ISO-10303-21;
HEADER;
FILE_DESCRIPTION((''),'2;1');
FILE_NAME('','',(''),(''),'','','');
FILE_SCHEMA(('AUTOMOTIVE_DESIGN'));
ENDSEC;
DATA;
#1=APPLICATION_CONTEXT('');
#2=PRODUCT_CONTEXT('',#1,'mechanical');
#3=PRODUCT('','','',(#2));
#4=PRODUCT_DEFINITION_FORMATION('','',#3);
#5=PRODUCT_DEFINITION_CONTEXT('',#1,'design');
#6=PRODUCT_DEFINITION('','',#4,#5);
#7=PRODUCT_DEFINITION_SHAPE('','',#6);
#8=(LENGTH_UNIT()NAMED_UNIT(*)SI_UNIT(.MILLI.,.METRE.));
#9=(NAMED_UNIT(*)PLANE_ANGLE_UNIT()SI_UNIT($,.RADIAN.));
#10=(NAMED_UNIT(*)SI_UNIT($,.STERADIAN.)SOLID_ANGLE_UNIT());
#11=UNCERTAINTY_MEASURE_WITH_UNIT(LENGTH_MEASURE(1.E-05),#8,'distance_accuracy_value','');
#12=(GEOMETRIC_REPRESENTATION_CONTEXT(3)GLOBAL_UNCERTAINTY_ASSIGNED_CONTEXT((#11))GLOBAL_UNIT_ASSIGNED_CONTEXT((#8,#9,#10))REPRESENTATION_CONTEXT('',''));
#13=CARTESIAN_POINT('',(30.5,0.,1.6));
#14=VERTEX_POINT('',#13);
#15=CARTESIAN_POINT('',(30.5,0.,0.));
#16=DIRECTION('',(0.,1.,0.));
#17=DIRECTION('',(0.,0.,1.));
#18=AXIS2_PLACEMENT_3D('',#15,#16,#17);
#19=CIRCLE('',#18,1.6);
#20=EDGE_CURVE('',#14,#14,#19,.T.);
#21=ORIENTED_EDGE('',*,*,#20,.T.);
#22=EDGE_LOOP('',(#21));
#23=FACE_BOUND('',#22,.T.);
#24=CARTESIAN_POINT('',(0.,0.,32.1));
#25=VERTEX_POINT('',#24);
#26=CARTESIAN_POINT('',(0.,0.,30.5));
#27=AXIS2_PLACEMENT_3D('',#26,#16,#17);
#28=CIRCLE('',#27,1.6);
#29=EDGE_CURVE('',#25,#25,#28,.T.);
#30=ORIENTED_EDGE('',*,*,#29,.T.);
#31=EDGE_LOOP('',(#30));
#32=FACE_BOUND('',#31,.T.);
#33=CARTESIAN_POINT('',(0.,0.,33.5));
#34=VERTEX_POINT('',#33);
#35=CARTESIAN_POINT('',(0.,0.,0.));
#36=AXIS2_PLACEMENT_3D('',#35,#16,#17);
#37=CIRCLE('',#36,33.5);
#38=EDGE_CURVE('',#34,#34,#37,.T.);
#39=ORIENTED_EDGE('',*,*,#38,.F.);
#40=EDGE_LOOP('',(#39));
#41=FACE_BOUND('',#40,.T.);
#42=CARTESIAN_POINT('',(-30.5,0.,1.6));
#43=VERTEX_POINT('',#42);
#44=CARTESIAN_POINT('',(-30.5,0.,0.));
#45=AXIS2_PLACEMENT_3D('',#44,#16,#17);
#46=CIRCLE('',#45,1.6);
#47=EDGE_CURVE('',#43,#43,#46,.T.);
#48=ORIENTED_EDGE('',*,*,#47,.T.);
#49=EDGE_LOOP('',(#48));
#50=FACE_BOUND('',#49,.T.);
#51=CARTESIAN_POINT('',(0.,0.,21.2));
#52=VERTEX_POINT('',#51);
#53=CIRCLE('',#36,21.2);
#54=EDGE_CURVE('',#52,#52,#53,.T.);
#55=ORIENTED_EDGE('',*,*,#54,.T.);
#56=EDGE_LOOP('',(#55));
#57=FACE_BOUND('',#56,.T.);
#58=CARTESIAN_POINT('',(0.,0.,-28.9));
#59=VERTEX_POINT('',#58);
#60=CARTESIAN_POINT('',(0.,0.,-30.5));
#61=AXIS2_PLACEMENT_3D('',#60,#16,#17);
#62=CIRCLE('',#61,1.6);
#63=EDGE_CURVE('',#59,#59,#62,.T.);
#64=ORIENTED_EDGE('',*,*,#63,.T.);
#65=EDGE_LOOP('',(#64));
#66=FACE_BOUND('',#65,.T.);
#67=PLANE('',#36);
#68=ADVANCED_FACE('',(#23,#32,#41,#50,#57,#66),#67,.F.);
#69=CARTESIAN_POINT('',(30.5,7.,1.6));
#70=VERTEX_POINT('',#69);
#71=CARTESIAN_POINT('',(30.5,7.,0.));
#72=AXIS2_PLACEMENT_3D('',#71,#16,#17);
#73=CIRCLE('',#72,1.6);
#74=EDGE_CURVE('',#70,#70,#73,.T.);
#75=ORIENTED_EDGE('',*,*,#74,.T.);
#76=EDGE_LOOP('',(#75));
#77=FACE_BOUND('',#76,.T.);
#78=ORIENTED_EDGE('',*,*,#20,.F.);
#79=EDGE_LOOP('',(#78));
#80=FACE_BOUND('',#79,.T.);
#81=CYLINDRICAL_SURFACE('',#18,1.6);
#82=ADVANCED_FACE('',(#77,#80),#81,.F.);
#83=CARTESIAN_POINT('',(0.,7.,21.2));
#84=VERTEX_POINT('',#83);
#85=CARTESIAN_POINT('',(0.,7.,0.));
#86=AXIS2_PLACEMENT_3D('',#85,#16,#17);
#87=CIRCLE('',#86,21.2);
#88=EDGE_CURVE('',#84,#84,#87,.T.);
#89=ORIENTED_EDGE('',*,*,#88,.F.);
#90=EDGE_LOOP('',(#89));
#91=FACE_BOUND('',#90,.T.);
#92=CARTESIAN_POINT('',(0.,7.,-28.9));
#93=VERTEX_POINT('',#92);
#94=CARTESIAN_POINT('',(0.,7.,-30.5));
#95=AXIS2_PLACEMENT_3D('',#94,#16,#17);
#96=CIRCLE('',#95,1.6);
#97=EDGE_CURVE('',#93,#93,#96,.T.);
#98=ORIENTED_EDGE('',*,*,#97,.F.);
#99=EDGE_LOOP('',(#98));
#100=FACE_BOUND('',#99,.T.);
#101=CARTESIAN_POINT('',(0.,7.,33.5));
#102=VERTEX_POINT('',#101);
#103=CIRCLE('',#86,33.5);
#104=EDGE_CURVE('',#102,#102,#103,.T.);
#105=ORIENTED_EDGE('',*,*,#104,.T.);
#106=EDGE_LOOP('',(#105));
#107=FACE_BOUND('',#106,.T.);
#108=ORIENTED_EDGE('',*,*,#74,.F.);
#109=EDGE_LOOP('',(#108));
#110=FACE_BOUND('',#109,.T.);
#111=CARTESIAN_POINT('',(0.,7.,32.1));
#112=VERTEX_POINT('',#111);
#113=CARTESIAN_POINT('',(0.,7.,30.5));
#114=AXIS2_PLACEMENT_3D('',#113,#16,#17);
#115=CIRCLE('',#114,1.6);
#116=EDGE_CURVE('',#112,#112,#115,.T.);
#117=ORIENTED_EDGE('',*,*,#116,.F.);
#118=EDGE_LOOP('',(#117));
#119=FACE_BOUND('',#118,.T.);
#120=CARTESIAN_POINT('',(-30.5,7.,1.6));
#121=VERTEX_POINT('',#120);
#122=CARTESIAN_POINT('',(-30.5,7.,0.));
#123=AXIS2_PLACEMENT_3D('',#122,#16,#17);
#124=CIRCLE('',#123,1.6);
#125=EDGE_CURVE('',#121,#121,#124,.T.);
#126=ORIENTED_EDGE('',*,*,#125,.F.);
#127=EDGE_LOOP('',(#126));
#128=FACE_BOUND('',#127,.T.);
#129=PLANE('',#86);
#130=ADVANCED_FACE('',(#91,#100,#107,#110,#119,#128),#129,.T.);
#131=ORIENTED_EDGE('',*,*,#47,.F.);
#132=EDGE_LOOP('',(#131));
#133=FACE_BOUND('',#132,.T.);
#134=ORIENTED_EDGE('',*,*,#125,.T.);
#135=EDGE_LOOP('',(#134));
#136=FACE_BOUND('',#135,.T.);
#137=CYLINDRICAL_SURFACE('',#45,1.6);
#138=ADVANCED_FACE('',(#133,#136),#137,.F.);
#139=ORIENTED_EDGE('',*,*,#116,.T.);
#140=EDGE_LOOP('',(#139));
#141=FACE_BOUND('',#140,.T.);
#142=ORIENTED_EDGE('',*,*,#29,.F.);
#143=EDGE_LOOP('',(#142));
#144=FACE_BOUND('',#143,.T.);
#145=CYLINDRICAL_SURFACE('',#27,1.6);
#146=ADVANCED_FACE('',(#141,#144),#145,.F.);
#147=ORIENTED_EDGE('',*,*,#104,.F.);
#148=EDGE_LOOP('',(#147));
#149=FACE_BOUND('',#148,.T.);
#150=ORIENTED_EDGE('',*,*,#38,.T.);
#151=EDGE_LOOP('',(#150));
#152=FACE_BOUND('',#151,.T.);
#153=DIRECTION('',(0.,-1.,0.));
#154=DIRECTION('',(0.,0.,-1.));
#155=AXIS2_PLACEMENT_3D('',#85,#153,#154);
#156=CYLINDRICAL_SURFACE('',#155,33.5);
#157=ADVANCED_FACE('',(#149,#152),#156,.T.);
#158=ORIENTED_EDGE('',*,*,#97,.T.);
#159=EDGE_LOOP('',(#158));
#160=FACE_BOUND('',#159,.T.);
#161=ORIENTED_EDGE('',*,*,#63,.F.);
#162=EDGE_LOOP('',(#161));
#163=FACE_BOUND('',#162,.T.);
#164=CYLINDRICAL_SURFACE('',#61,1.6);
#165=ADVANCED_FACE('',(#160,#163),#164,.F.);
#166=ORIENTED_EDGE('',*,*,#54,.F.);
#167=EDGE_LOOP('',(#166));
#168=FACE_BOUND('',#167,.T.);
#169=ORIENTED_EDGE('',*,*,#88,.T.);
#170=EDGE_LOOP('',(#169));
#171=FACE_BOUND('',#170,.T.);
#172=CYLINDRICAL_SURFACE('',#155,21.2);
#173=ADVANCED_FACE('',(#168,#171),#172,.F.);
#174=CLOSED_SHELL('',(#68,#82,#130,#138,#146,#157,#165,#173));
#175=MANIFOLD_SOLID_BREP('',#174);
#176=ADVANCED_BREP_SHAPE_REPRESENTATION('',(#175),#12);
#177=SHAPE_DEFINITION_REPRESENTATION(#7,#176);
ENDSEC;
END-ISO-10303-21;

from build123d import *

# Parameters (mm, degrees)
SKETCH1_R           = 33.5
SKETCH1_R_2         = 21.2
BOSS_EXTRUDE1_DEPTH = 7
SKETCH2_R           = 1.6
CUT_EXTRUDE1_DEPTH  = 48.890500102


with BuildPart() as part:
    # Sketch1 → Boss-Extrude1 (new body)
    with BuildSketch(Plane(origin=(0, 0, 0), x_dir=(1, 0, 0), z_dir=(0, 1, 0))):
        with Locations(Location((0, 0, 0), (0, 0, 270))):
            Circle(SKETCH1_R)
        with Locations(Location((0, 0, 0), (0, 0, 270))):
            Circle(SKETCH1_R_2, mode=Mode.SUBTRACT)
    extrude(amount=BOSS_EXTRUDE1_DEPTH)

    # Sketch2 → Cut-Extrude1 (cut, through all)
    with BuildSketch(Plane(origin=(0, 7, 0), x_dir=(1, 0, 0), z_dir=(0, 1, 0))):
        with Locations(Location((0, 30.5, 0), (0, 0, 270))):
            Circle(SKETCH2_R)
        with Locations(Location((30.5, 0, 0), (0, 0, 270))):
            Circle(SKETCH2_R)
        with Locations(Location((0, -30.5, 0), (0, 0, 270))):
            Circle(SKETCH2_R)
        with Locations(Location((-30.5, 0, 0), (0, 0, 270))):
            Circle(SKETCH2_R)
    extrude(amount=-CUT_EXTRUDE1_DEPTH, mode=Mode.SUBTRACT)


solid = part.part
